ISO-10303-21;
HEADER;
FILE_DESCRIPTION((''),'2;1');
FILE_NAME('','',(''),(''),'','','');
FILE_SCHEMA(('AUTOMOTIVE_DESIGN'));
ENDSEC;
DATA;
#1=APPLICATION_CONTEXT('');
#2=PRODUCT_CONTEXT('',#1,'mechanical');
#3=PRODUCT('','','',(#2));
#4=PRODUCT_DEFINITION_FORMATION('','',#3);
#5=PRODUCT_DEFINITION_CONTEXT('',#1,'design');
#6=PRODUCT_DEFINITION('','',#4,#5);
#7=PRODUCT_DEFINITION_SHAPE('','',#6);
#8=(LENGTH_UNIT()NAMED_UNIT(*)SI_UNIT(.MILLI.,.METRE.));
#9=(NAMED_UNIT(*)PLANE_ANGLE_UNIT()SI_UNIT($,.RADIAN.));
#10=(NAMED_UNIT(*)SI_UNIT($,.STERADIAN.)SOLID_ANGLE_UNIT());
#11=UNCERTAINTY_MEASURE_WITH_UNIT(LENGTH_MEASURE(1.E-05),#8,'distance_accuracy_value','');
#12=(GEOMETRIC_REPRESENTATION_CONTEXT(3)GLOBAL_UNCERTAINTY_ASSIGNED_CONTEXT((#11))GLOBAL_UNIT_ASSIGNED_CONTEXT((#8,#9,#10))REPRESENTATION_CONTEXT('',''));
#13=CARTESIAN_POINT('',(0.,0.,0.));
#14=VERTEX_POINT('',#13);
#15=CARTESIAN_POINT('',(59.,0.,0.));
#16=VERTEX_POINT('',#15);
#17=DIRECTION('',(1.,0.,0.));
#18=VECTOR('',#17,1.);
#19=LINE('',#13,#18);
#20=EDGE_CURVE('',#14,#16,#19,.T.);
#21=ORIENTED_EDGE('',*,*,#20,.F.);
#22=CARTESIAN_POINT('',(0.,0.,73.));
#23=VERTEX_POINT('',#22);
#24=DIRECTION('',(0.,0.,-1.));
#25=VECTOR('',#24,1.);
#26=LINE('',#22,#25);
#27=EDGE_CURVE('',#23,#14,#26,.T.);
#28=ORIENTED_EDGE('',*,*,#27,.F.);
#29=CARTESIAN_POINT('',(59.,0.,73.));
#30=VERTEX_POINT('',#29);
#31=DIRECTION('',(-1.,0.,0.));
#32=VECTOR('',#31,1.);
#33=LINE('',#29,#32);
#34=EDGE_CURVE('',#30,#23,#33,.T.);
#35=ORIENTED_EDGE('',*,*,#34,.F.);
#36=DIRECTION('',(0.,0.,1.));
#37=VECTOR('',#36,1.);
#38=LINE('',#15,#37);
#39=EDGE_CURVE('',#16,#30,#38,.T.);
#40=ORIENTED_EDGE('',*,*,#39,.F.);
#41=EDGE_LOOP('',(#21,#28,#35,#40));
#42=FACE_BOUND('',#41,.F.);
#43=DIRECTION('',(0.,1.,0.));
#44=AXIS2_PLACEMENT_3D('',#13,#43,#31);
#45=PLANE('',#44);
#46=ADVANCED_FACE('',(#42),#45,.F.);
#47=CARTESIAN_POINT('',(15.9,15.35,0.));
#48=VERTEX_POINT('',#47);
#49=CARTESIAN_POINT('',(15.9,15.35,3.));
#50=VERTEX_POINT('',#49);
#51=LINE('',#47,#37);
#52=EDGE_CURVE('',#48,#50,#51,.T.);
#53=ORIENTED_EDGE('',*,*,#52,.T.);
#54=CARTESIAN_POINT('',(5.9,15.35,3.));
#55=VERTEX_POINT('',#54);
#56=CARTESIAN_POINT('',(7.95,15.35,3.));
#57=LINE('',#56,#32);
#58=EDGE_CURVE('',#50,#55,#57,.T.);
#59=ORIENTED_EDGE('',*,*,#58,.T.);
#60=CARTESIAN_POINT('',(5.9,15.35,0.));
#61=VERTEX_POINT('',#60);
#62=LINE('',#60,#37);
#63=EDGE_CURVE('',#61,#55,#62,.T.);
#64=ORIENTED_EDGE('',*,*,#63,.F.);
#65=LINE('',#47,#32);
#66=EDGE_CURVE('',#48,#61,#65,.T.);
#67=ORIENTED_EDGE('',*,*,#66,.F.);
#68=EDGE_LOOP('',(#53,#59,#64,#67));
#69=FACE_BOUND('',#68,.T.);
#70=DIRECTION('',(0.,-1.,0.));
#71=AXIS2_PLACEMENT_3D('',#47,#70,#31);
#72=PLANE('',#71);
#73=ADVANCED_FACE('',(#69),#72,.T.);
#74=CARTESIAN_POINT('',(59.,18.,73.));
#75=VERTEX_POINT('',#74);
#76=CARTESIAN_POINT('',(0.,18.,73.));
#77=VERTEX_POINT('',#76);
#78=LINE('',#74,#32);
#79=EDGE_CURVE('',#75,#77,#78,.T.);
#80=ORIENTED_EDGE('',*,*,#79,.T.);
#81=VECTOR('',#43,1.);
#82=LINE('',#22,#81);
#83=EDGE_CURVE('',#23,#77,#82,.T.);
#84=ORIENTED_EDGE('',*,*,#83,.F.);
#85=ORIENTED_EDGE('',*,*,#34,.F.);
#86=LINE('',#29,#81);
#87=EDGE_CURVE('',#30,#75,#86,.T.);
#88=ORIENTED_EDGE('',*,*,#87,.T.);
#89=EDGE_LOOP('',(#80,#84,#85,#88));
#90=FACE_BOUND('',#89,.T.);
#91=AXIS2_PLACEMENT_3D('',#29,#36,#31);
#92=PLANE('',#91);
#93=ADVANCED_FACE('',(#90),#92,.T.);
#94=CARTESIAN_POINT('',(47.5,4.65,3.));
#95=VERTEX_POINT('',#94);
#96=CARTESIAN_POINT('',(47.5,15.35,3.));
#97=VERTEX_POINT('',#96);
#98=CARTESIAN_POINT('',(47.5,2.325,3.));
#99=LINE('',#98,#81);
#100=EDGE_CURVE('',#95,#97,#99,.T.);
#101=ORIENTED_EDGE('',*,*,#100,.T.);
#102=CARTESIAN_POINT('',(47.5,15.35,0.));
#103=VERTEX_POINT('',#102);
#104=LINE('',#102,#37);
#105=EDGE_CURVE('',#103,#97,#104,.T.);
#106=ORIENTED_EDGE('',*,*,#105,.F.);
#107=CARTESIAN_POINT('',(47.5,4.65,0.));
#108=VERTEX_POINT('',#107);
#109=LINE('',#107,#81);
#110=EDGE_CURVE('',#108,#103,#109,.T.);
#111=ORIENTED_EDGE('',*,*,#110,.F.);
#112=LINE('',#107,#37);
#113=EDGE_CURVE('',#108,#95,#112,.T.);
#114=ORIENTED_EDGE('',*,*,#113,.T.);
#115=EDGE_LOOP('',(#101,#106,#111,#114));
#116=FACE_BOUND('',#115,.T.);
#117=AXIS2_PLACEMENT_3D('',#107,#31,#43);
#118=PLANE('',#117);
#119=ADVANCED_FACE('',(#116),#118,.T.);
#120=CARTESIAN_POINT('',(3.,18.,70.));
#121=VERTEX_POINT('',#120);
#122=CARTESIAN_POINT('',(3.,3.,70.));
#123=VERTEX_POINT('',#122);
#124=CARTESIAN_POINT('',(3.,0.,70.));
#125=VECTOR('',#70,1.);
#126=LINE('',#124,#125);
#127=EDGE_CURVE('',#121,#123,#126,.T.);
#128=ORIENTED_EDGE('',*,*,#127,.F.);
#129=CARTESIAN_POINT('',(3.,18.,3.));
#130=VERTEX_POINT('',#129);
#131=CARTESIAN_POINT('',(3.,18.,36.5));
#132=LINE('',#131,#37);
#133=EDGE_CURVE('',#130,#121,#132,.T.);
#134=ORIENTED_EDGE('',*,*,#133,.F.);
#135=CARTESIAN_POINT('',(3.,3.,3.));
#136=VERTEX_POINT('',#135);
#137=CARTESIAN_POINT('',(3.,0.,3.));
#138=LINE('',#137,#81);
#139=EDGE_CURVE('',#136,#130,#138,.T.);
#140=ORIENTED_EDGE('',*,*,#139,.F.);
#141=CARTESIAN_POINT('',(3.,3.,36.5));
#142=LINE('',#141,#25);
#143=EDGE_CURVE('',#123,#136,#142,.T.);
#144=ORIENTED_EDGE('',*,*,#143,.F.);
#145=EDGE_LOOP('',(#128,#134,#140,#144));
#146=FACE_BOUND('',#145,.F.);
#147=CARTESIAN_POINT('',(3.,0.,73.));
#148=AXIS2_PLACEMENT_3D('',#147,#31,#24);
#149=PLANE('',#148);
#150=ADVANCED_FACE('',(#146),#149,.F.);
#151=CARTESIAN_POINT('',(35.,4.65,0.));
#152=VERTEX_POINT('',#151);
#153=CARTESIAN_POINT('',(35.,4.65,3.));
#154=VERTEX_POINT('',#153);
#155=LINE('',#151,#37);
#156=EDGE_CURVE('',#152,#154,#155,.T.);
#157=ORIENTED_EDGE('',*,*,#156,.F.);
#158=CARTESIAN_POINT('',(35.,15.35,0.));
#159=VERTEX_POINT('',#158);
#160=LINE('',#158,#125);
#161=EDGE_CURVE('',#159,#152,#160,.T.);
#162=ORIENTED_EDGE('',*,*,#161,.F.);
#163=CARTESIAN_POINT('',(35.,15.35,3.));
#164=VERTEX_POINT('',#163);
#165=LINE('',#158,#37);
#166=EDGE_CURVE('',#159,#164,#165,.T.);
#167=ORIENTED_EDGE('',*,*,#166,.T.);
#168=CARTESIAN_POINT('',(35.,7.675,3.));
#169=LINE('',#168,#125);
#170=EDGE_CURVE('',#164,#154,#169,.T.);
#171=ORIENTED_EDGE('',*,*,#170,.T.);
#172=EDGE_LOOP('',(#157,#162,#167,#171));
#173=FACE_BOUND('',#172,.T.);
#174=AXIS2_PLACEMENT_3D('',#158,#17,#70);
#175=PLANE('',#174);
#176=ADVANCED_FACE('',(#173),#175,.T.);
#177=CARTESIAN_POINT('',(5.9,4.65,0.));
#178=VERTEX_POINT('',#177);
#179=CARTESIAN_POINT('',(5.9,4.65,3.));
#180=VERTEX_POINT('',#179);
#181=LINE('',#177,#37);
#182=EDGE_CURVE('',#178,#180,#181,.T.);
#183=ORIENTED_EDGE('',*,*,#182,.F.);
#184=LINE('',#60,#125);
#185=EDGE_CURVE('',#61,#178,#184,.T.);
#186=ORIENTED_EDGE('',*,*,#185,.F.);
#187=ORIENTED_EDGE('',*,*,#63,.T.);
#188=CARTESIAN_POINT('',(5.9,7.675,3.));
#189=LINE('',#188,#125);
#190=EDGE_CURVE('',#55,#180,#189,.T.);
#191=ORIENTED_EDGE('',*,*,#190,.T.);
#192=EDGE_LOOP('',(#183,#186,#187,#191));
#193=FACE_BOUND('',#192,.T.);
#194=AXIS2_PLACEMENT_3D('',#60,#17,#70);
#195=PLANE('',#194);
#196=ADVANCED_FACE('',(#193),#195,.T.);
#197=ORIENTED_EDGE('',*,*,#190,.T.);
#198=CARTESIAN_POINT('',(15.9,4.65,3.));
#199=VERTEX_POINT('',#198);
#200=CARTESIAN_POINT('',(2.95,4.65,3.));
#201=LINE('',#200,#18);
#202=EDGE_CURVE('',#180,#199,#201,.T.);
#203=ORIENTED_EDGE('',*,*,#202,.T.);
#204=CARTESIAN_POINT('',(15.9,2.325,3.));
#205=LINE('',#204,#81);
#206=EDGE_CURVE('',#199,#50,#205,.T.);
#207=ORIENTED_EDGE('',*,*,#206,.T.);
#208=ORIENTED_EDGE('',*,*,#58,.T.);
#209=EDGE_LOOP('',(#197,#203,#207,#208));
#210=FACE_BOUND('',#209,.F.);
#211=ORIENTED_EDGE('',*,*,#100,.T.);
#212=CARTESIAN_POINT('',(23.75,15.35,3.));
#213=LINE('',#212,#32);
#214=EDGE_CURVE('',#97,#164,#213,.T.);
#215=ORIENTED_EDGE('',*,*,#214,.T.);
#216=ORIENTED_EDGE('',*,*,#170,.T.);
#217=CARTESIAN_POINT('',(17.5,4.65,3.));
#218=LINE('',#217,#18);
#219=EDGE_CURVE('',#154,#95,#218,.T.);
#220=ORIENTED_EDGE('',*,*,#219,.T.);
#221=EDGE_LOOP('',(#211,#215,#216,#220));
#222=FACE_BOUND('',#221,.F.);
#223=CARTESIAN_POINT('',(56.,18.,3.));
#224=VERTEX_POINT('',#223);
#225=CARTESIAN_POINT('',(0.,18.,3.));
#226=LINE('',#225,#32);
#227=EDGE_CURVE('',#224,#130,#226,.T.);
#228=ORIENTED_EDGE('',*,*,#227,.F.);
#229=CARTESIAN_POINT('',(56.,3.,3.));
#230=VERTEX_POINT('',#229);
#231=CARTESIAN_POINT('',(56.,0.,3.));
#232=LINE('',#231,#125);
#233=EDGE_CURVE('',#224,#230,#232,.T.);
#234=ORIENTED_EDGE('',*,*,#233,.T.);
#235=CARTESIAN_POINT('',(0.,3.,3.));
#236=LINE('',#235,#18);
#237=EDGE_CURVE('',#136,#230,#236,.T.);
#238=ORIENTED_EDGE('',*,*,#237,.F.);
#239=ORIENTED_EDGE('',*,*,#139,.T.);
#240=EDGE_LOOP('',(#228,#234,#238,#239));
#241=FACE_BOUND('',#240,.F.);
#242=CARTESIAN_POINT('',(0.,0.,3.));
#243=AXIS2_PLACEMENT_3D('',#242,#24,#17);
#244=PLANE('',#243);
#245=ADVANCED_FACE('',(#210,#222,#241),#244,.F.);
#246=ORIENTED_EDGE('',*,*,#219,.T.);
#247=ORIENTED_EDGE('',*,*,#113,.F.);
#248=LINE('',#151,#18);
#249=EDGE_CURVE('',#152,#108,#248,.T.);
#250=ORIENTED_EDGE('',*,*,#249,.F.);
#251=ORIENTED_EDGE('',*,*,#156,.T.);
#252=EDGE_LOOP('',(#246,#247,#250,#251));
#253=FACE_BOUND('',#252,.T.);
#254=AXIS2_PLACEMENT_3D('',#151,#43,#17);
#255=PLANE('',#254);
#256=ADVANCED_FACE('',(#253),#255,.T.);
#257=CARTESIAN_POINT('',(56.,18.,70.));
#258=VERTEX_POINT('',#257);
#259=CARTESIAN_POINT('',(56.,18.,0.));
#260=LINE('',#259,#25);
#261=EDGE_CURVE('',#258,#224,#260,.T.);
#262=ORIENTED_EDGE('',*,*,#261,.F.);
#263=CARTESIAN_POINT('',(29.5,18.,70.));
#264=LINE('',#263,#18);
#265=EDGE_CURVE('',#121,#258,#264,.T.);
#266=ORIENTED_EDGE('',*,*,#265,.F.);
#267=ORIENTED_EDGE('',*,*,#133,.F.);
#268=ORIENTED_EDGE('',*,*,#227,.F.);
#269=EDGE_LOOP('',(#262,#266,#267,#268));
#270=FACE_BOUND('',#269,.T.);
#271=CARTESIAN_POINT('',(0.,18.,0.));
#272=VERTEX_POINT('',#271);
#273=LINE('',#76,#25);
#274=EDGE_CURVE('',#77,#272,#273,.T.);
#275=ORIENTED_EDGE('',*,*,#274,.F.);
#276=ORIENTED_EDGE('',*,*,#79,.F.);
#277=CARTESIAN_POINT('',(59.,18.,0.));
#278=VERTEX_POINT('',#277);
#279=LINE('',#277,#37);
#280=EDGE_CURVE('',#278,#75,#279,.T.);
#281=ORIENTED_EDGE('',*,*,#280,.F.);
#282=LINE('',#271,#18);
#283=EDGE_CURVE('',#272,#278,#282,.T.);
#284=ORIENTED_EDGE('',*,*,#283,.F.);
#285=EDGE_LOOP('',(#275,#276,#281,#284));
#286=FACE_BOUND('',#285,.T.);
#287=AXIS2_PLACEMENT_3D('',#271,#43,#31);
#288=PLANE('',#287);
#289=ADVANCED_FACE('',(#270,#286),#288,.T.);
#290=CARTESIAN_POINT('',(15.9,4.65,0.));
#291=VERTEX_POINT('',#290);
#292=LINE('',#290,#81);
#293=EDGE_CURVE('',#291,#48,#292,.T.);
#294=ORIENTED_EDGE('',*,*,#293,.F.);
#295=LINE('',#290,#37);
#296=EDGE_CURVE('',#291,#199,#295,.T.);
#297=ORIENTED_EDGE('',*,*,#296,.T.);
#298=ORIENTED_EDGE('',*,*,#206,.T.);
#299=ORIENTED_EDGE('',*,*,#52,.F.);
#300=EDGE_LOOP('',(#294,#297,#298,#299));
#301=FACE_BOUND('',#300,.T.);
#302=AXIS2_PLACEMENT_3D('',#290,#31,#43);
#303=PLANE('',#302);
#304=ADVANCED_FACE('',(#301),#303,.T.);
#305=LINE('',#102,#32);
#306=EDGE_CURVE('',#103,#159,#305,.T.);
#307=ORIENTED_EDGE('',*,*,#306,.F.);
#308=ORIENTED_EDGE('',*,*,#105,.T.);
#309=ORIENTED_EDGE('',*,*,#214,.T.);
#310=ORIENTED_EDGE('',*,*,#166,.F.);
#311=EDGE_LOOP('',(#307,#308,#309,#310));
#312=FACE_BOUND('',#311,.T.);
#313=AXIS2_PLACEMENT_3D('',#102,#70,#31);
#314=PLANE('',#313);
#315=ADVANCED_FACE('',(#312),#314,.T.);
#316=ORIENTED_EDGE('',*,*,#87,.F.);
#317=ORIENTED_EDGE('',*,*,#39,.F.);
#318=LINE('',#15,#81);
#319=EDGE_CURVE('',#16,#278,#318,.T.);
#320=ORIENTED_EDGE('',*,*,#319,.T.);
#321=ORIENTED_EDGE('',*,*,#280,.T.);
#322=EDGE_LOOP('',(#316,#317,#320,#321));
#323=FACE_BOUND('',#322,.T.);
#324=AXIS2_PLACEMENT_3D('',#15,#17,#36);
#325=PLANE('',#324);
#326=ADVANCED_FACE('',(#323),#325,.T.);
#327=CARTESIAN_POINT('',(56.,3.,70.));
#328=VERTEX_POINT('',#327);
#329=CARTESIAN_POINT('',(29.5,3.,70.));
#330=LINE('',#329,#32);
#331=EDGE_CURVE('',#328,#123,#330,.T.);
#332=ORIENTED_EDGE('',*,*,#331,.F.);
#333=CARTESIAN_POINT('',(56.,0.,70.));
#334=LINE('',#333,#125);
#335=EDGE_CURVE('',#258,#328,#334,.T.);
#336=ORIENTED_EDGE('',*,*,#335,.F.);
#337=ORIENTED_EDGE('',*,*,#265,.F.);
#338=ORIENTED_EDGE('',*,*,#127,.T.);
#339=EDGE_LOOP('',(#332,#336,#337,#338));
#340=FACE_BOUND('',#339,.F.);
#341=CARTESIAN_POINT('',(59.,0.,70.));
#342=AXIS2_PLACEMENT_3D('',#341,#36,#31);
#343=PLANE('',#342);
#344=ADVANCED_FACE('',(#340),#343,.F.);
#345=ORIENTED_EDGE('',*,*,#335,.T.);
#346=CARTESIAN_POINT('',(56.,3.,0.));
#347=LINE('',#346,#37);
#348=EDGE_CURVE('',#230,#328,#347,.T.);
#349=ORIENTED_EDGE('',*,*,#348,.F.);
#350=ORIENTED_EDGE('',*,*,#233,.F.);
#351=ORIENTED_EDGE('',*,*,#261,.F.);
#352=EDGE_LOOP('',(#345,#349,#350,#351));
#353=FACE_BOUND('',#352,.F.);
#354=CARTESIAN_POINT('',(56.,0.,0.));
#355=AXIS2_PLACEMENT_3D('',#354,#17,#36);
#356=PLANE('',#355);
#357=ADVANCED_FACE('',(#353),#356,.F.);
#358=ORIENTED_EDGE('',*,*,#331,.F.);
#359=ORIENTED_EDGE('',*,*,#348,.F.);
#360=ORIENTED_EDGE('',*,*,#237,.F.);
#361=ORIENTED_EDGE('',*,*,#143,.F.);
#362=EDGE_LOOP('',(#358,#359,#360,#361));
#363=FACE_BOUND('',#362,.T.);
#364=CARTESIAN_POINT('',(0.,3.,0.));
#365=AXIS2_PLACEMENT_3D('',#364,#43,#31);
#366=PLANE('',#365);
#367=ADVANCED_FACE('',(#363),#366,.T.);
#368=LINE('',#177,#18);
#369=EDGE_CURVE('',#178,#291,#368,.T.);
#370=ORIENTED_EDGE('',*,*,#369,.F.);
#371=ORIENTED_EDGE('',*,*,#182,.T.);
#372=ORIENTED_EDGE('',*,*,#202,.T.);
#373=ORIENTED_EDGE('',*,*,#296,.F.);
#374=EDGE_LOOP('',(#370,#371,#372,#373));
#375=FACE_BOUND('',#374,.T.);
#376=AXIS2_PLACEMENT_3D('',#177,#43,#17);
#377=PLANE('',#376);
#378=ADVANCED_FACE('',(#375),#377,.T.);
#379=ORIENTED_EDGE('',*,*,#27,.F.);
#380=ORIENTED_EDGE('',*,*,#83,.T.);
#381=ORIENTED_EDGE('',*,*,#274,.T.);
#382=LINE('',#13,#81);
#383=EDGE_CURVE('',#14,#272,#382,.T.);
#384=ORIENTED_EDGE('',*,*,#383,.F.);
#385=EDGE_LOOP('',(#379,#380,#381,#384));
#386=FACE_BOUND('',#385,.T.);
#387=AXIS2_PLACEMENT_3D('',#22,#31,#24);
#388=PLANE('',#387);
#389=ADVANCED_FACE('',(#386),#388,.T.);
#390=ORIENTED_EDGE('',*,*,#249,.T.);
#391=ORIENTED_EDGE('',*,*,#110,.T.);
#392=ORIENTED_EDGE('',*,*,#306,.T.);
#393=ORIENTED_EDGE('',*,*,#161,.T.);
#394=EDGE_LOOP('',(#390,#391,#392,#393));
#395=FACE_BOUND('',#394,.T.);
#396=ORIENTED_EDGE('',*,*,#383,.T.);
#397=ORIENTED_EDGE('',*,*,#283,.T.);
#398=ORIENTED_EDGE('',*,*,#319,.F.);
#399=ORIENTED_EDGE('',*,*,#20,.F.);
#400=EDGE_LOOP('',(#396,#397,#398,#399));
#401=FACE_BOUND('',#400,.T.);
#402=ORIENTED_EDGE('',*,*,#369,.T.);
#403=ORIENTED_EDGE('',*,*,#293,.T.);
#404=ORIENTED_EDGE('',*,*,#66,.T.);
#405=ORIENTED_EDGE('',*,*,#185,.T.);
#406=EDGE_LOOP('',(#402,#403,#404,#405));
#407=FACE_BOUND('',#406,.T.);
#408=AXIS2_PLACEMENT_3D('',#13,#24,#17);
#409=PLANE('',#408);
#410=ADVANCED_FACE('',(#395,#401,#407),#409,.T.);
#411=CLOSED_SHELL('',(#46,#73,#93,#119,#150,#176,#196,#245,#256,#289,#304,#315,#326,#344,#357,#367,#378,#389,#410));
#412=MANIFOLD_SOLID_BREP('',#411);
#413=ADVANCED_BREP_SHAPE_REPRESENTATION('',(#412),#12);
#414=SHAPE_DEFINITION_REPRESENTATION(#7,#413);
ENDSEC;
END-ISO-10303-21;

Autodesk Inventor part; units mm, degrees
ref_plane "YZ Plane" through (0, 0, 0) normal (1, 0, 0) x (0, 1, 0)
ref_plane "XZ Plane" through (0, 0, 0) normal (0, 1, 0) x (-1, 0, 0)
ref_plane "XY Plane" through (0, 0, 0) normal (0, 0, 1) x (1, 0, 0)
sketch "Sketch2" plane through (0, 0, 0) normal (0, 1, 0) x (-1, 0, 0)
  line L0 (0, 0) -> (-59, 0)
  line L1 (-59, 0) -> (-59, 73)
  line L2 (-59, 73) -> (0, 73)
  line L3 (0, 73) -> (0, 0)
  dimension "d0" = 59
  dimension "d1" = 73
extrude "Extrusion1" add sketch "Sketch2" along normal blind 18
shell "Shell1" thickness 3 removed faces 1 at (19.6667, 18, 24.3333)
sketch "Sketch3" plane through (59, 0, 0) normal (0, 0, -1) x (-1, 0, 0)
  line L0 (11.5, 15.35) -> (24, 15.35)
  line L1 (24, 15.35) -> (24, 4.65)
  line L2 (24, 4.65) -> (11.5, 4.65)
  line L3 (11.5, 4.65) -> (11.5, 15.35)
  line L4 (0, 0) -> (0, 18) projected
  line L5 (0, 0) -> (59, 0) projected
  line L6 (43.1, 15.35) -> (53.1, 15.35)
  line L7 (53.1, 15.35) -> (53.1, 4.65)
  line L8 (53.1, 4.65) -> (43.1, 4.65)
  line L9 (43.1, 4.65) -> (43.1, 15.35)
  line L10 (59, 0) -> (59, 18) projected
  dimension "d5" = 11.5
  dimension "d6" = 4.65
  dimension "d7" = 12.5
  dimension "d8" = 10.7
  dimension "d10" = 10
  dimension "d11" = 10.7
  dimension "d12" = 4.65
  dimension "d16" = 43.1
extrude "Extrusion2" cut sketch "Sketch3" against normal blind 30
equation "\"d11\" = d8"
equation "\"d12\" = d6"
properties part number "arduino array box v02"
